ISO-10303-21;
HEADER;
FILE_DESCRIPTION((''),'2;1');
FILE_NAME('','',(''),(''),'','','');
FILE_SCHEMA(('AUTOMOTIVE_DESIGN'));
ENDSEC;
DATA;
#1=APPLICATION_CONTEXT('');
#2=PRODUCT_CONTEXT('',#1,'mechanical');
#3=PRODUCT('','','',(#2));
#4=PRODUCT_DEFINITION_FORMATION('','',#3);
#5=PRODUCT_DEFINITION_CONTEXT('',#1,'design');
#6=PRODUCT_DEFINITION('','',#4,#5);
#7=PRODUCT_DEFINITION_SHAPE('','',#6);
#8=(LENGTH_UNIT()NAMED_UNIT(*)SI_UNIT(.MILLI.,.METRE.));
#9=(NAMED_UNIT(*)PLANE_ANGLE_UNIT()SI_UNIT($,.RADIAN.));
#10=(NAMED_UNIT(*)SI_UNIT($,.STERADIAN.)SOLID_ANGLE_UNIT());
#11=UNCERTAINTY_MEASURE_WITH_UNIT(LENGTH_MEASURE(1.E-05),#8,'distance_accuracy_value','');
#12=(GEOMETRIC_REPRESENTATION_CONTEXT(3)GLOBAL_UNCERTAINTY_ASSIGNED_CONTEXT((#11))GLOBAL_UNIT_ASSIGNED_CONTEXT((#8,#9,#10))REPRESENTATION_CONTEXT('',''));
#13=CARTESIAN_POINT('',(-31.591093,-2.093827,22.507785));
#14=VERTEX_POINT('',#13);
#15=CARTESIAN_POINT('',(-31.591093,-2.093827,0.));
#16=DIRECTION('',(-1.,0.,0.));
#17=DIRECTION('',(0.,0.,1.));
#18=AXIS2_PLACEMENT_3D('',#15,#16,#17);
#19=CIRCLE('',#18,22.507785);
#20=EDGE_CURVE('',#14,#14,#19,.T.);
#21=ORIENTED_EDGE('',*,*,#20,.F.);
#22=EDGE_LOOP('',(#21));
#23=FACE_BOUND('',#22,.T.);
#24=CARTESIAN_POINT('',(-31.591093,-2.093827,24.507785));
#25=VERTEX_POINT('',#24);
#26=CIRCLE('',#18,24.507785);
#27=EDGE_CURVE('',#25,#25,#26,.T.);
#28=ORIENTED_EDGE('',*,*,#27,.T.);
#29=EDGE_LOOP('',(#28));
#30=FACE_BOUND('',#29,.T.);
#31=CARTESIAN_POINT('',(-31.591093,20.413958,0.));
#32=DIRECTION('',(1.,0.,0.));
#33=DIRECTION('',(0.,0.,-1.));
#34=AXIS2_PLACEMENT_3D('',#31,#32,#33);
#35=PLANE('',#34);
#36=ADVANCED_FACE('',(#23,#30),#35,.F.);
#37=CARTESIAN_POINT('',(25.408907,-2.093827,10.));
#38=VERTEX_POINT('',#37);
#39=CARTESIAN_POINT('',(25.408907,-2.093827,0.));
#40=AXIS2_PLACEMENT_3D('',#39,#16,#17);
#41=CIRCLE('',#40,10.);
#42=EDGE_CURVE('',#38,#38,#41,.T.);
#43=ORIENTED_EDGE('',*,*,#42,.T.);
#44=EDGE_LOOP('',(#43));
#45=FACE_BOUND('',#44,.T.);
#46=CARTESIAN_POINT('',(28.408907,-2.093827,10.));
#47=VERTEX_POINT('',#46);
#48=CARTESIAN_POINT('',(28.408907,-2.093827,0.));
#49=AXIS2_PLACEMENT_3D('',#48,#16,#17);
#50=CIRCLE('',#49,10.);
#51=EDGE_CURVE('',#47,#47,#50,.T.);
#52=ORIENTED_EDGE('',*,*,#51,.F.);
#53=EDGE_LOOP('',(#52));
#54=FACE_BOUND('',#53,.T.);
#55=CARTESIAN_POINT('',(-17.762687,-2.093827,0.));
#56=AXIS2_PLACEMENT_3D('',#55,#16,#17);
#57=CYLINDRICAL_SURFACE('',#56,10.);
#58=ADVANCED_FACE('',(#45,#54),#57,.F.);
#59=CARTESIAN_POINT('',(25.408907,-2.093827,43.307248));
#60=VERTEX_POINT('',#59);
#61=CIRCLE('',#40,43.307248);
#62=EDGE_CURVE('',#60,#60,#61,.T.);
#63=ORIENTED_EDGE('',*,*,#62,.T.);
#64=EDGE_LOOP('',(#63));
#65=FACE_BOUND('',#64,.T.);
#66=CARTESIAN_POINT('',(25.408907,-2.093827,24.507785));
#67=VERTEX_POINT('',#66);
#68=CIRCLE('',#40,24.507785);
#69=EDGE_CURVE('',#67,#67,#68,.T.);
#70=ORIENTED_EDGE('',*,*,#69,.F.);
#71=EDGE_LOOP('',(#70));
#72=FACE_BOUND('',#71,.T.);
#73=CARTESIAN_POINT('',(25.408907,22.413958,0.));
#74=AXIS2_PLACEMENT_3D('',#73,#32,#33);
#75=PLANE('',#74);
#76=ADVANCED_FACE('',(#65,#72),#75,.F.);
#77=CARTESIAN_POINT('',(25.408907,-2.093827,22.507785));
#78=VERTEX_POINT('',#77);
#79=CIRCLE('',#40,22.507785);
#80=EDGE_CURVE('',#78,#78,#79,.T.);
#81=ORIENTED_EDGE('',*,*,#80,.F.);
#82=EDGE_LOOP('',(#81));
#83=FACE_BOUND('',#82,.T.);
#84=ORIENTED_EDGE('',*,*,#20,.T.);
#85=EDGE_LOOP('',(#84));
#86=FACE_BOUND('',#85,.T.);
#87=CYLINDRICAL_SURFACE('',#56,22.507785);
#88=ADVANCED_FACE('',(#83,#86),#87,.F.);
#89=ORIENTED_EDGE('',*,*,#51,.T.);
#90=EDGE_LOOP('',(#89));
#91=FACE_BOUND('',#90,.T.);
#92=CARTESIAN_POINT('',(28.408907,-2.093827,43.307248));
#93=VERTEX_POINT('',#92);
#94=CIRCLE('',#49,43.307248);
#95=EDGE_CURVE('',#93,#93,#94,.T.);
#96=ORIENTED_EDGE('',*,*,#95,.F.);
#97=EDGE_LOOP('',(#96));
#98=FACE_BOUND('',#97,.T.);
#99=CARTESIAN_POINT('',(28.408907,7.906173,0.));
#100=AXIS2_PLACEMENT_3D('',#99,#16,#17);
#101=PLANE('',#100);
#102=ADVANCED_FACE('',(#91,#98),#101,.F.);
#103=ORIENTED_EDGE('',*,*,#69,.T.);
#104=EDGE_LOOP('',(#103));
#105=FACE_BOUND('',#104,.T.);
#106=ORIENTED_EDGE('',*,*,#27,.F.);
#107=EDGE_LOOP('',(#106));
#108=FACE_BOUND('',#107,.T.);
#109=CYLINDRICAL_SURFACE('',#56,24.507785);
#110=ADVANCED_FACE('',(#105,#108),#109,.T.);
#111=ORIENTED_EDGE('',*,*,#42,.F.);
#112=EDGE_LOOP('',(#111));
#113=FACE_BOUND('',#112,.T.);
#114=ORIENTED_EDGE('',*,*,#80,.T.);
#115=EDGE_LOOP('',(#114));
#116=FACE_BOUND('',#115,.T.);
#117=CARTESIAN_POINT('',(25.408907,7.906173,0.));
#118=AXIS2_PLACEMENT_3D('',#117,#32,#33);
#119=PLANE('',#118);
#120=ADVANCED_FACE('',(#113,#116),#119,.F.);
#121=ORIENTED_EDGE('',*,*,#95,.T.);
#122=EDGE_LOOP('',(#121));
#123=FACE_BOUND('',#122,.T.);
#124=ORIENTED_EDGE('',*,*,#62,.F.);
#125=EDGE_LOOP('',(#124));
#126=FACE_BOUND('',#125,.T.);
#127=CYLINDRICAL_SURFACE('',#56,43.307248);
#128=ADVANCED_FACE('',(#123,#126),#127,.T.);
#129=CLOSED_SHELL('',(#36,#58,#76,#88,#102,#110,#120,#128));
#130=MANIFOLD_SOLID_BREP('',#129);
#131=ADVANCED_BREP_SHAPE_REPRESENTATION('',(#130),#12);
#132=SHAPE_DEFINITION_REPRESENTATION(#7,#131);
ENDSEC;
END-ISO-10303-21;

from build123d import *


with BuildPart() as part:
    # Sketch1 → Revolve1 (revolve)
    with BuildSketch(Plane.XY):
        Polygon((25.408906872, 7.906172878), (28.408906872, 7.906172878), (28.408906872, 41.213420622), (25.408906872, 41.213420622), (25.408906872, 22.413958281), (-31.591093128, 22.413958281), (-31.591093128, 20.413958281), (25.408906872, 20.413958281), align=None)
    revolve(axis=Axis((-17.762687395, -2.093827122, 0), (1, 0, 0)))


solid = part.part
